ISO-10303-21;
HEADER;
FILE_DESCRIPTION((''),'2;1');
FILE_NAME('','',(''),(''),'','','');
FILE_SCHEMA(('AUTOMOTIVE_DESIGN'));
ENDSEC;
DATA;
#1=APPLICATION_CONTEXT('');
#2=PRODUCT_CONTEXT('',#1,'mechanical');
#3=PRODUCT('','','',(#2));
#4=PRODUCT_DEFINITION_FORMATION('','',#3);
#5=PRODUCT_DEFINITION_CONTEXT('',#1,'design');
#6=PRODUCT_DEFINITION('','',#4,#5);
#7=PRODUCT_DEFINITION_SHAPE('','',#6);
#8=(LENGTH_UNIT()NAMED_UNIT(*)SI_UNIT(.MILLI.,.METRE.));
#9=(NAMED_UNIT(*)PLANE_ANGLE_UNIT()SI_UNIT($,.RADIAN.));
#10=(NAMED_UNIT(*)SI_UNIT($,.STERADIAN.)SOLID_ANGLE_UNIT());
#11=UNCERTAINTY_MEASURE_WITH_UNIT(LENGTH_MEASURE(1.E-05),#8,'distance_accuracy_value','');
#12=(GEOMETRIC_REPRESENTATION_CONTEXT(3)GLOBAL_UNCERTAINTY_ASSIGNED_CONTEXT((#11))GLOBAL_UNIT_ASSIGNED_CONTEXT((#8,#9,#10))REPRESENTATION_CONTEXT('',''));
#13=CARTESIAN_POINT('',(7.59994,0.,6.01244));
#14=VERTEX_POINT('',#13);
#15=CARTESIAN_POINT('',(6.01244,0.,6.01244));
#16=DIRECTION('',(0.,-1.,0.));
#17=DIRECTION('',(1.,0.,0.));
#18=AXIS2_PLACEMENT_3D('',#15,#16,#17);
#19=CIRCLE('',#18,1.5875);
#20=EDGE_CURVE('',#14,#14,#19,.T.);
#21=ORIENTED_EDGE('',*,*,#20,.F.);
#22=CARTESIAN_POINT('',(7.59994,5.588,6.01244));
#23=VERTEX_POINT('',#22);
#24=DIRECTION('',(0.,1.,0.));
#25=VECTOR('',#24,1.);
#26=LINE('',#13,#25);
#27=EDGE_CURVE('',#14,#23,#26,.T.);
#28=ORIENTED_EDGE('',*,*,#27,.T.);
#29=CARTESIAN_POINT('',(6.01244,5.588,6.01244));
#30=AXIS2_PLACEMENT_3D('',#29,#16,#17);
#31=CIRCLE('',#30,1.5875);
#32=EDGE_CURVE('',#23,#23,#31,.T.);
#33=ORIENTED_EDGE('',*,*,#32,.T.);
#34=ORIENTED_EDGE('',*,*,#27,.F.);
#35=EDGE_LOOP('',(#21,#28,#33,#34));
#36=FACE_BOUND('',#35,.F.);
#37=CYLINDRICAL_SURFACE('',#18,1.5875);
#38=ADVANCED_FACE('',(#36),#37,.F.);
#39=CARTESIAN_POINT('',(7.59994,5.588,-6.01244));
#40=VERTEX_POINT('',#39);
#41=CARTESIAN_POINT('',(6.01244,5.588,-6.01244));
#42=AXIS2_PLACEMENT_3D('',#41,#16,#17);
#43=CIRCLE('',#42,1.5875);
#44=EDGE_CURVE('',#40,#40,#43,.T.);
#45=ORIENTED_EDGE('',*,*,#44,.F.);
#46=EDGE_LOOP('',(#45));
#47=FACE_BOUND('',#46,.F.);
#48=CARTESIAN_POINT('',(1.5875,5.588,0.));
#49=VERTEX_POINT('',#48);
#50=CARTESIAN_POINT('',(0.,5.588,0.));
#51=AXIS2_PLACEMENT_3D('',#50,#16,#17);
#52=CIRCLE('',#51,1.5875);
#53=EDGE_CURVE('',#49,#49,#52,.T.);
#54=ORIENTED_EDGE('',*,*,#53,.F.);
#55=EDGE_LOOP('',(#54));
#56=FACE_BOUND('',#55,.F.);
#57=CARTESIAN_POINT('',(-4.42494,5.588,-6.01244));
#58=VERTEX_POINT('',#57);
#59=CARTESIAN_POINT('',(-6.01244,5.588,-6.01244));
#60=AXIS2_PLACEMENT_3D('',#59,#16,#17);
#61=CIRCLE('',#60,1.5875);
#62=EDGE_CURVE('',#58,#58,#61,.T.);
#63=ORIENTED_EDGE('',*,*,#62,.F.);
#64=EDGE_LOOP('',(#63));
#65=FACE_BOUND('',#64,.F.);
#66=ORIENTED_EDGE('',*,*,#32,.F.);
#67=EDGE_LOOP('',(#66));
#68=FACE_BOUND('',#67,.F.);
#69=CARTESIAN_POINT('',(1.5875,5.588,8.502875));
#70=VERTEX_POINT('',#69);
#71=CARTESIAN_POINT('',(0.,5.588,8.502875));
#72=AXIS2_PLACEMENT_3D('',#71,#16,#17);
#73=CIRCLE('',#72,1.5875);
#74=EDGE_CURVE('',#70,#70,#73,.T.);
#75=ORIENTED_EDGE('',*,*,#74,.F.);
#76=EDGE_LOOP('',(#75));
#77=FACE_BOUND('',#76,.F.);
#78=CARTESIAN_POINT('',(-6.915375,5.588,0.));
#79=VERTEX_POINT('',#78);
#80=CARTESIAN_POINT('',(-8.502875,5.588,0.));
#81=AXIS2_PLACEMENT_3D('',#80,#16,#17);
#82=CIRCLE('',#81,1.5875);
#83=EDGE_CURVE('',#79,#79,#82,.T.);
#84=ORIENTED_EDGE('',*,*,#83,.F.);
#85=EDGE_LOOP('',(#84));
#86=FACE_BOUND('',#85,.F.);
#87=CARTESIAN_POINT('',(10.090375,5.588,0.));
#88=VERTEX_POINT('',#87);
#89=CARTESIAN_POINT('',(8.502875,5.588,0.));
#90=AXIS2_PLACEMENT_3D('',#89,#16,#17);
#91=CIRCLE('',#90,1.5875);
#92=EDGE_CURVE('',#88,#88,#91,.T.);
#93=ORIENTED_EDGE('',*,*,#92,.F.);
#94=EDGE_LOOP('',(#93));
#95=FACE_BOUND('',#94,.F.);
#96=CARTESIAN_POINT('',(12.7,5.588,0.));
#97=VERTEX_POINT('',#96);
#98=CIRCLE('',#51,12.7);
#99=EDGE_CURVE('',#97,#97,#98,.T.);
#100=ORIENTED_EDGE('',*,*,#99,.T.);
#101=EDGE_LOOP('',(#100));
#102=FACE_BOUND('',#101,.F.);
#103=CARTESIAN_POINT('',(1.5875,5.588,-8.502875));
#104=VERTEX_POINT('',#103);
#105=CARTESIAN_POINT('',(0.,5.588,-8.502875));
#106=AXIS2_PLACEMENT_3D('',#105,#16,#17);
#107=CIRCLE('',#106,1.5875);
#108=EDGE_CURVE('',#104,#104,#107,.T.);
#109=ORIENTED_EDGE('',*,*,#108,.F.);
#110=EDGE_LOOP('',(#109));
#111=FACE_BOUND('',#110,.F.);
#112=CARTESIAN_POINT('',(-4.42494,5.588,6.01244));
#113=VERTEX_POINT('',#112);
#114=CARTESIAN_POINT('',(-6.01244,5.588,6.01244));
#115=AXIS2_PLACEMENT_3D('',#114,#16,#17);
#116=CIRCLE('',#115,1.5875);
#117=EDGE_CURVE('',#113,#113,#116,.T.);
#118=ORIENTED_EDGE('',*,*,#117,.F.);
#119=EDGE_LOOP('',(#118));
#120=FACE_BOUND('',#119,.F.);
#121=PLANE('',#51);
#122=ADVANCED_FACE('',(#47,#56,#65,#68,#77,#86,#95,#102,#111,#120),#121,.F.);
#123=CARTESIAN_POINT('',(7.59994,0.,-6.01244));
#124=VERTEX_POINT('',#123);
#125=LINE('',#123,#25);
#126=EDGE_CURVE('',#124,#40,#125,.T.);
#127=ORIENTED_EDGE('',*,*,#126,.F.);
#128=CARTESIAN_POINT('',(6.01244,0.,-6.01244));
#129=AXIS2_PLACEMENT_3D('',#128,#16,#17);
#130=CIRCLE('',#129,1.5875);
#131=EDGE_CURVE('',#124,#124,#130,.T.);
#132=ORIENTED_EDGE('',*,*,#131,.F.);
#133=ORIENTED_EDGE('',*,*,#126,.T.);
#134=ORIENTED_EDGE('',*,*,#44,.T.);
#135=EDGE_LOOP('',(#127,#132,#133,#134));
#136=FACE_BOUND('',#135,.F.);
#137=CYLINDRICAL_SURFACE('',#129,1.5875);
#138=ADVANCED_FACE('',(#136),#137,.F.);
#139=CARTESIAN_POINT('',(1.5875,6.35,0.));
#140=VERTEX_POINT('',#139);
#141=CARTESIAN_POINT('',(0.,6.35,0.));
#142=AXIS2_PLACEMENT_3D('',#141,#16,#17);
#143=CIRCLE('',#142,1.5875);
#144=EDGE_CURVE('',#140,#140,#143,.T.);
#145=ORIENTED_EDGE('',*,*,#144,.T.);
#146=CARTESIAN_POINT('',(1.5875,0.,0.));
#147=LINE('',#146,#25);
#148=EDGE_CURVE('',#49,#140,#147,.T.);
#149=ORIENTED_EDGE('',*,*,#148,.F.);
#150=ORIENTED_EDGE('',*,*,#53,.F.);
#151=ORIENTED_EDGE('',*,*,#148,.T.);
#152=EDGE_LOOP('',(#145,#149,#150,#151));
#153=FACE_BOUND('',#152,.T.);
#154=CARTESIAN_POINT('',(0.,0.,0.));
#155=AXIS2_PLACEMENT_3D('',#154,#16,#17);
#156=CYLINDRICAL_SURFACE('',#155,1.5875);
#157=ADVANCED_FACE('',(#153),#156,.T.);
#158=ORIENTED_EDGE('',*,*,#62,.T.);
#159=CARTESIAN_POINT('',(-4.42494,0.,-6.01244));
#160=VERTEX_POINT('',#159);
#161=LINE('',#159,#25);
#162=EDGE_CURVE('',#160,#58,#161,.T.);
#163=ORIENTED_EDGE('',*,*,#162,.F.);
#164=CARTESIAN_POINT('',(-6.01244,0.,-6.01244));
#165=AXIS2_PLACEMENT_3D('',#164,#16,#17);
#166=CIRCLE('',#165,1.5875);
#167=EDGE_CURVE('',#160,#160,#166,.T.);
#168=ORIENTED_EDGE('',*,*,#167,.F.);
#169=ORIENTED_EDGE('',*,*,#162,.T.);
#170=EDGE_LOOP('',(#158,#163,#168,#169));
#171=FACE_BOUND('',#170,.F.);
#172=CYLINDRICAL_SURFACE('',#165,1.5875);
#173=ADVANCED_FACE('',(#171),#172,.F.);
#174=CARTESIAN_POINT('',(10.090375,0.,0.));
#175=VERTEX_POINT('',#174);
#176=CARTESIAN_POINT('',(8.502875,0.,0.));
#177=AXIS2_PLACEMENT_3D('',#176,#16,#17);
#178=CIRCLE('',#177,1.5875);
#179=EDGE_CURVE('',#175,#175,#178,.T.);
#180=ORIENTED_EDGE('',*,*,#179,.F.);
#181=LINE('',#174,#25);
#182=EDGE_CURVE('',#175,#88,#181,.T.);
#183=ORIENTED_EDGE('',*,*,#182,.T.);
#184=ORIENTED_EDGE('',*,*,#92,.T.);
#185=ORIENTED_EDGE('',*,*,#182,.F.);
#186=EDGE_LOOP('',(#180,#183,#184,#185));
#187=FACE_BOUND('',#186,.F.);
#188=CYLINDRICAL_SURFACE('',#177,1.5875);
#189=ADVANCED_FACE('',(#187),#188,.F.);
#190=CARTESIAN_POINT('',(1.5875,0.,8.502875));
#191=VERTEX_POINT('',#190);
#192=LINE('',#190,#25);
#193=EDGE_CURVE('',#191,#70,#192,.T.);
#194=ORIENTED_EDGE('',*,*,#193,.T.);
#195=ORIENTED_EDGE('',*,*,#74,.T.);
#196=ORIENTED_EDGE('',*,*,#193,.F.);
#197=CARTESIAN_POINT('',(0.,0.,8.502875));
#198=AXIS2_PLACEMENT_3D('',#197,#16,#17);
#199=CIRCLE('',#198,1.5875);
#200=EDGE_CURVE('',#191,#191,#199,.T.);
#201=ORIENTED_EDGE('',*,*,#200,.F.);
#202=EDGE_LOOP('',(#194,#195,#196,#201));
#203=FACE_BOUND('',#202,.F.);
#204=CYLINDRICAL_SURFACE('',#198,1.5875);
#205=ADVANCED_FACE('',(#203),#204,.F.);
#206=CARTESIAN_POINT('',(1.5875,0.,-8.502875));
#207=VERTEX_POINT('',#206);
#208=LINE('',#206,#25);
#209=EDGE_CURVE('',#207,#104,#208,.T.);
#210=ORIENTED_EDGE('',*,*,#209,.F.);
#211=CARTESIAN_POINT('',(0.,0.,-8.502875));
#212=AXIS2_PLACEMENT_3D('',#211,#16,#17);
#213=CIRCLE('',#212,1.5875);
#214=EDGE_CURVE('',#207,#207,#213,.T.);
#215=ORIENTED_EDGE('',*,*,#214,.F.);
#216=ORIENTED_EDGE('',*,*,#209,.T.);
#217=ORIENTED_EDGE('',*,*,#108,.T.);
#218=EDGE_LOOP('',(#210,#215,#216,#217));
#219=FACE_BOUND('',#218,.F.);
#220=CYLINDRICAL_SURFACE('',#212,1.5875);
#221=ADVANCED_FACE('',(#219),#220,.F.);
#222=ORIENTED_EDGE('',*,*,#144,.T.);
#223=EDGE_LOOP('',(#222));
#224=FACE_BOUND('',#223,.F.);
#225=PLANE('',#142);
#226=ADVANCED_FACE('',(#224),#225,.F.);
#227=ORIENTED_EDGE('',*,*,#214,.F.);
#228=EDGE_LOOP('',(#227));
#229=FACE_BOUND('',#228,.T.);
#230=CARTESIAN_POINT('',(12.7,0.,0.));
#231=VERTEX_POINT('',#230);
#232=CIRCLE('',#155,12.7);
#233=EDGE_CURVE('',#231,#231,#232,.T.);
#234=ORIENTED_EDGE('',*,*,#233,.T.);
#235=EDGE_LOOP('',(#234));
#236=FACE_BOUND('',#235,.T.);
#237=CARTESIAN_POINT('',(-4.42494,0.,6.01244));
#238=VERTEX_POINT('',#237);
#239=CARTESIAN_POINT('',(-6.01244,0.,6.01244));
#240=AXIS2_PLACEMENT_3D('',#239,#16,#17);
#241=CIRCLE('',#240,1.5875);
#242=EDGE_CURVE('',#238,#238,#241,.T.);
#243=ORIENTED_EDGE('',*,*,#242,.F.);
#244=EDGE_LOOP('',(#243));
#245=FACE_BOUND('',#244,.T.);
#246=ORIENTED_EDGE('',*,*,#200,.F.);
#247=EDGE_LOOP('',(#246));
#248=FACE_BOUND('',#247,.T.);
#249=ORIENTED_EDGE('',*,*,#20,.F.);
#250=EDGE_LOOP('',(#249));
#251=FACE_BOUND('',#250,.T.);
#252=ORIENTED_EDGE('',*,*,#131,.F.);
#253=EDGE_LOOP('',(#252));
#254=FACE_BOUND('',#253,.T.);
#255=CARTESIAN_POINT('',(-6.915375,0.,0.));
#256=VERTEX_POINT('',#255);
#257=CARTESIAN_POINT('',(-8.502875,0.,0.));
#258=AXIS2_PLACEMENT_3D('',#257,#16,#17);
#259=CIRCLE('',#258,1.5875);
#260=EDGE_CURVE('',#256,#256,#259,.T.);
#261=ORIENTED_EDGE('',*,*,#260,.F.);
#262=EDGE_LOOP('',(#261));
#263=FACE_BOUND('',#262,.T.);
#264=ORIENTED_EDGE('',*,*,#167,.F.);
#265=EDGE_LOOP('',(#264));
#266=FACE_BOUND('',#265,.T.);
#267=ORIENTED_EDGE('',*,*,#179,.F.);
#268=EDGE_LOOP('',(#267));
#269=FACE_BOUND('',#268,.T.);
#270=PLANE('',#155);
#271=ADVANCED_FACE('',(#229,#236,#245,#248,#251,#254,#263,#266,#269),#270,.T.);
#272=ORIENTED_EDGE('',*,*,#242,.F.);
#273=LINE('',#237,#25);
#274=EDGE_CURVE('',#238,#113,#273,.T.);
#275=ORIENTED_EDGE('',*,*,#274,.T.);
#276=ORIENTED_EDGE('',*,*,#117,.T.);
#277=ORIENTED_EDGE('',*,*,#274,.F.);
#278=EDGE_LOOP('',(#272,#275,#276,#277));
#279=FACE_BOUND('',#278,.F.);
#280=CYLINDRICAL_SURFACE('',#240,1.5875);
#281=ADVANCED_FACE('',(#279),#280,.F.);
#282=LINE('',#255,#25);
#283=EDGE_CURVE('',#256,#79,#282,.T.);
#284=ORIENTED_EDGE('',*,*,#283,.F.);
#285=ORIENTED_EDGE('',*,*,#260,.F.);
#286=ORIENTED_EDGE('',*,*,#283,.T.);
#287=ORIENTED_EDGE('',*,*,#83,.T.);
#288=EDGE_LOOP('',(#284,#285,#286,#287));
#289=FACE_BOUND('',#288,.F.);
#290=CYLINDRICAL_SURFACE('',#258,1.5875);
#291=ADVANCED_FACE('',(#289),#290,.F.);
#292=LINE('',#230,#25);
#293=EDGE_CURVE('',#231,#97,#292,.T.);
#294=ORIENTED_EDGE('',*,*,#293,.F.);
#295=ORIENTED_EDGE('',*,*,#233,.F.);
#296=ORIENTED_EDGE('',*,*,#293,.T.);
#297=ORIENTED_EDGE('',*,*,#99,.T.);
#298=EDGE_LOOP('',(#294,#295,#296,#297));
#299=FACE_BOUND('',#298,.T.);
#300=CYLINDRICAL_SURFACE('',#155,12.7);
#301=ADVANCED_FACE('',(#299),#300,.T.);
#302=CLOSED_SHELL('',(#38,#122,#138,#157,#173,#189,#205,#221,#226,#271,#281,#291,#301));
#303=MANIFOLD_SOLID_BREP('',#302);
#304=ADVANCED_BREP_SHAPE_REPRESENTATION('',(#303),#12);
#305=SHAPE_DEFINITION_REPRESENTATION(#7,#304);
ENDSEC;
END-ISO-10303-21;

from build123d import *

# Parameters (mm, degrees)
F0_R     = 12.7
F0_R_2   = 1.5875
F0_R_3   = 6.35
F0_R_4   = 3.175
F1_DEPTH = 5.588
F2_R     = 1.5875
F3_DEPTH = 6.35


with BuildPart() as f1:
    # F0 (on Front) → F1 (new body)
    with BuildSketch(Plane.XZ):
        Circle(F0_R)
        with Locations((-6.0124402351, -6.0124402351)):
            Circle(F0_R_2, mode=Mode.SUBTRACT)
        with Locations((0, -8.5028745234)):
            Circle(F0_R_2, mode=Mode.SUBTRACT)
        with Locations((6.0124402351, -6.0124402351)):
            Circle(F0_R_2, mode=Mode.SUBTRACT)
        with Locations((-8.5028745234, 0)):
            Circle(F0_R_2, mode=Mode.SUBTRACT)
        with Locations((-6.0124402351, 6.0124402351)):
            Circle(F0_R_2, mode=Mode.SUBTRACT)
        Circle(F0_R_3, mode=Mode.SUBTRACT)
        with Locations((6.0124402351, 6.0124402351)):
            Circle(F0_R_2, mode=Mode.SUBTRACT)
        with Locations((8.5028745234, 0)):
            Circle(F0_R_2, mode=Mode.SUBTRACT)
        with Locations((0, 8.5028745234)):
            Circle(F0_R_2, mode=Mode.SUBTRACT)
        Circle(F0_R_3)
        Circle(F0_R_4, mode=Mode.SUBTRACT)
        Circle(F0_R_4)
    extrude(amount=-F1_DEPTH)

    # F2 (on Front) → F3 (join)
    with BuildSketch(Plane.XZ):
        Circle(F2_R)
    extrude(amount=-F3_DEPTH)


solid = f1.part
